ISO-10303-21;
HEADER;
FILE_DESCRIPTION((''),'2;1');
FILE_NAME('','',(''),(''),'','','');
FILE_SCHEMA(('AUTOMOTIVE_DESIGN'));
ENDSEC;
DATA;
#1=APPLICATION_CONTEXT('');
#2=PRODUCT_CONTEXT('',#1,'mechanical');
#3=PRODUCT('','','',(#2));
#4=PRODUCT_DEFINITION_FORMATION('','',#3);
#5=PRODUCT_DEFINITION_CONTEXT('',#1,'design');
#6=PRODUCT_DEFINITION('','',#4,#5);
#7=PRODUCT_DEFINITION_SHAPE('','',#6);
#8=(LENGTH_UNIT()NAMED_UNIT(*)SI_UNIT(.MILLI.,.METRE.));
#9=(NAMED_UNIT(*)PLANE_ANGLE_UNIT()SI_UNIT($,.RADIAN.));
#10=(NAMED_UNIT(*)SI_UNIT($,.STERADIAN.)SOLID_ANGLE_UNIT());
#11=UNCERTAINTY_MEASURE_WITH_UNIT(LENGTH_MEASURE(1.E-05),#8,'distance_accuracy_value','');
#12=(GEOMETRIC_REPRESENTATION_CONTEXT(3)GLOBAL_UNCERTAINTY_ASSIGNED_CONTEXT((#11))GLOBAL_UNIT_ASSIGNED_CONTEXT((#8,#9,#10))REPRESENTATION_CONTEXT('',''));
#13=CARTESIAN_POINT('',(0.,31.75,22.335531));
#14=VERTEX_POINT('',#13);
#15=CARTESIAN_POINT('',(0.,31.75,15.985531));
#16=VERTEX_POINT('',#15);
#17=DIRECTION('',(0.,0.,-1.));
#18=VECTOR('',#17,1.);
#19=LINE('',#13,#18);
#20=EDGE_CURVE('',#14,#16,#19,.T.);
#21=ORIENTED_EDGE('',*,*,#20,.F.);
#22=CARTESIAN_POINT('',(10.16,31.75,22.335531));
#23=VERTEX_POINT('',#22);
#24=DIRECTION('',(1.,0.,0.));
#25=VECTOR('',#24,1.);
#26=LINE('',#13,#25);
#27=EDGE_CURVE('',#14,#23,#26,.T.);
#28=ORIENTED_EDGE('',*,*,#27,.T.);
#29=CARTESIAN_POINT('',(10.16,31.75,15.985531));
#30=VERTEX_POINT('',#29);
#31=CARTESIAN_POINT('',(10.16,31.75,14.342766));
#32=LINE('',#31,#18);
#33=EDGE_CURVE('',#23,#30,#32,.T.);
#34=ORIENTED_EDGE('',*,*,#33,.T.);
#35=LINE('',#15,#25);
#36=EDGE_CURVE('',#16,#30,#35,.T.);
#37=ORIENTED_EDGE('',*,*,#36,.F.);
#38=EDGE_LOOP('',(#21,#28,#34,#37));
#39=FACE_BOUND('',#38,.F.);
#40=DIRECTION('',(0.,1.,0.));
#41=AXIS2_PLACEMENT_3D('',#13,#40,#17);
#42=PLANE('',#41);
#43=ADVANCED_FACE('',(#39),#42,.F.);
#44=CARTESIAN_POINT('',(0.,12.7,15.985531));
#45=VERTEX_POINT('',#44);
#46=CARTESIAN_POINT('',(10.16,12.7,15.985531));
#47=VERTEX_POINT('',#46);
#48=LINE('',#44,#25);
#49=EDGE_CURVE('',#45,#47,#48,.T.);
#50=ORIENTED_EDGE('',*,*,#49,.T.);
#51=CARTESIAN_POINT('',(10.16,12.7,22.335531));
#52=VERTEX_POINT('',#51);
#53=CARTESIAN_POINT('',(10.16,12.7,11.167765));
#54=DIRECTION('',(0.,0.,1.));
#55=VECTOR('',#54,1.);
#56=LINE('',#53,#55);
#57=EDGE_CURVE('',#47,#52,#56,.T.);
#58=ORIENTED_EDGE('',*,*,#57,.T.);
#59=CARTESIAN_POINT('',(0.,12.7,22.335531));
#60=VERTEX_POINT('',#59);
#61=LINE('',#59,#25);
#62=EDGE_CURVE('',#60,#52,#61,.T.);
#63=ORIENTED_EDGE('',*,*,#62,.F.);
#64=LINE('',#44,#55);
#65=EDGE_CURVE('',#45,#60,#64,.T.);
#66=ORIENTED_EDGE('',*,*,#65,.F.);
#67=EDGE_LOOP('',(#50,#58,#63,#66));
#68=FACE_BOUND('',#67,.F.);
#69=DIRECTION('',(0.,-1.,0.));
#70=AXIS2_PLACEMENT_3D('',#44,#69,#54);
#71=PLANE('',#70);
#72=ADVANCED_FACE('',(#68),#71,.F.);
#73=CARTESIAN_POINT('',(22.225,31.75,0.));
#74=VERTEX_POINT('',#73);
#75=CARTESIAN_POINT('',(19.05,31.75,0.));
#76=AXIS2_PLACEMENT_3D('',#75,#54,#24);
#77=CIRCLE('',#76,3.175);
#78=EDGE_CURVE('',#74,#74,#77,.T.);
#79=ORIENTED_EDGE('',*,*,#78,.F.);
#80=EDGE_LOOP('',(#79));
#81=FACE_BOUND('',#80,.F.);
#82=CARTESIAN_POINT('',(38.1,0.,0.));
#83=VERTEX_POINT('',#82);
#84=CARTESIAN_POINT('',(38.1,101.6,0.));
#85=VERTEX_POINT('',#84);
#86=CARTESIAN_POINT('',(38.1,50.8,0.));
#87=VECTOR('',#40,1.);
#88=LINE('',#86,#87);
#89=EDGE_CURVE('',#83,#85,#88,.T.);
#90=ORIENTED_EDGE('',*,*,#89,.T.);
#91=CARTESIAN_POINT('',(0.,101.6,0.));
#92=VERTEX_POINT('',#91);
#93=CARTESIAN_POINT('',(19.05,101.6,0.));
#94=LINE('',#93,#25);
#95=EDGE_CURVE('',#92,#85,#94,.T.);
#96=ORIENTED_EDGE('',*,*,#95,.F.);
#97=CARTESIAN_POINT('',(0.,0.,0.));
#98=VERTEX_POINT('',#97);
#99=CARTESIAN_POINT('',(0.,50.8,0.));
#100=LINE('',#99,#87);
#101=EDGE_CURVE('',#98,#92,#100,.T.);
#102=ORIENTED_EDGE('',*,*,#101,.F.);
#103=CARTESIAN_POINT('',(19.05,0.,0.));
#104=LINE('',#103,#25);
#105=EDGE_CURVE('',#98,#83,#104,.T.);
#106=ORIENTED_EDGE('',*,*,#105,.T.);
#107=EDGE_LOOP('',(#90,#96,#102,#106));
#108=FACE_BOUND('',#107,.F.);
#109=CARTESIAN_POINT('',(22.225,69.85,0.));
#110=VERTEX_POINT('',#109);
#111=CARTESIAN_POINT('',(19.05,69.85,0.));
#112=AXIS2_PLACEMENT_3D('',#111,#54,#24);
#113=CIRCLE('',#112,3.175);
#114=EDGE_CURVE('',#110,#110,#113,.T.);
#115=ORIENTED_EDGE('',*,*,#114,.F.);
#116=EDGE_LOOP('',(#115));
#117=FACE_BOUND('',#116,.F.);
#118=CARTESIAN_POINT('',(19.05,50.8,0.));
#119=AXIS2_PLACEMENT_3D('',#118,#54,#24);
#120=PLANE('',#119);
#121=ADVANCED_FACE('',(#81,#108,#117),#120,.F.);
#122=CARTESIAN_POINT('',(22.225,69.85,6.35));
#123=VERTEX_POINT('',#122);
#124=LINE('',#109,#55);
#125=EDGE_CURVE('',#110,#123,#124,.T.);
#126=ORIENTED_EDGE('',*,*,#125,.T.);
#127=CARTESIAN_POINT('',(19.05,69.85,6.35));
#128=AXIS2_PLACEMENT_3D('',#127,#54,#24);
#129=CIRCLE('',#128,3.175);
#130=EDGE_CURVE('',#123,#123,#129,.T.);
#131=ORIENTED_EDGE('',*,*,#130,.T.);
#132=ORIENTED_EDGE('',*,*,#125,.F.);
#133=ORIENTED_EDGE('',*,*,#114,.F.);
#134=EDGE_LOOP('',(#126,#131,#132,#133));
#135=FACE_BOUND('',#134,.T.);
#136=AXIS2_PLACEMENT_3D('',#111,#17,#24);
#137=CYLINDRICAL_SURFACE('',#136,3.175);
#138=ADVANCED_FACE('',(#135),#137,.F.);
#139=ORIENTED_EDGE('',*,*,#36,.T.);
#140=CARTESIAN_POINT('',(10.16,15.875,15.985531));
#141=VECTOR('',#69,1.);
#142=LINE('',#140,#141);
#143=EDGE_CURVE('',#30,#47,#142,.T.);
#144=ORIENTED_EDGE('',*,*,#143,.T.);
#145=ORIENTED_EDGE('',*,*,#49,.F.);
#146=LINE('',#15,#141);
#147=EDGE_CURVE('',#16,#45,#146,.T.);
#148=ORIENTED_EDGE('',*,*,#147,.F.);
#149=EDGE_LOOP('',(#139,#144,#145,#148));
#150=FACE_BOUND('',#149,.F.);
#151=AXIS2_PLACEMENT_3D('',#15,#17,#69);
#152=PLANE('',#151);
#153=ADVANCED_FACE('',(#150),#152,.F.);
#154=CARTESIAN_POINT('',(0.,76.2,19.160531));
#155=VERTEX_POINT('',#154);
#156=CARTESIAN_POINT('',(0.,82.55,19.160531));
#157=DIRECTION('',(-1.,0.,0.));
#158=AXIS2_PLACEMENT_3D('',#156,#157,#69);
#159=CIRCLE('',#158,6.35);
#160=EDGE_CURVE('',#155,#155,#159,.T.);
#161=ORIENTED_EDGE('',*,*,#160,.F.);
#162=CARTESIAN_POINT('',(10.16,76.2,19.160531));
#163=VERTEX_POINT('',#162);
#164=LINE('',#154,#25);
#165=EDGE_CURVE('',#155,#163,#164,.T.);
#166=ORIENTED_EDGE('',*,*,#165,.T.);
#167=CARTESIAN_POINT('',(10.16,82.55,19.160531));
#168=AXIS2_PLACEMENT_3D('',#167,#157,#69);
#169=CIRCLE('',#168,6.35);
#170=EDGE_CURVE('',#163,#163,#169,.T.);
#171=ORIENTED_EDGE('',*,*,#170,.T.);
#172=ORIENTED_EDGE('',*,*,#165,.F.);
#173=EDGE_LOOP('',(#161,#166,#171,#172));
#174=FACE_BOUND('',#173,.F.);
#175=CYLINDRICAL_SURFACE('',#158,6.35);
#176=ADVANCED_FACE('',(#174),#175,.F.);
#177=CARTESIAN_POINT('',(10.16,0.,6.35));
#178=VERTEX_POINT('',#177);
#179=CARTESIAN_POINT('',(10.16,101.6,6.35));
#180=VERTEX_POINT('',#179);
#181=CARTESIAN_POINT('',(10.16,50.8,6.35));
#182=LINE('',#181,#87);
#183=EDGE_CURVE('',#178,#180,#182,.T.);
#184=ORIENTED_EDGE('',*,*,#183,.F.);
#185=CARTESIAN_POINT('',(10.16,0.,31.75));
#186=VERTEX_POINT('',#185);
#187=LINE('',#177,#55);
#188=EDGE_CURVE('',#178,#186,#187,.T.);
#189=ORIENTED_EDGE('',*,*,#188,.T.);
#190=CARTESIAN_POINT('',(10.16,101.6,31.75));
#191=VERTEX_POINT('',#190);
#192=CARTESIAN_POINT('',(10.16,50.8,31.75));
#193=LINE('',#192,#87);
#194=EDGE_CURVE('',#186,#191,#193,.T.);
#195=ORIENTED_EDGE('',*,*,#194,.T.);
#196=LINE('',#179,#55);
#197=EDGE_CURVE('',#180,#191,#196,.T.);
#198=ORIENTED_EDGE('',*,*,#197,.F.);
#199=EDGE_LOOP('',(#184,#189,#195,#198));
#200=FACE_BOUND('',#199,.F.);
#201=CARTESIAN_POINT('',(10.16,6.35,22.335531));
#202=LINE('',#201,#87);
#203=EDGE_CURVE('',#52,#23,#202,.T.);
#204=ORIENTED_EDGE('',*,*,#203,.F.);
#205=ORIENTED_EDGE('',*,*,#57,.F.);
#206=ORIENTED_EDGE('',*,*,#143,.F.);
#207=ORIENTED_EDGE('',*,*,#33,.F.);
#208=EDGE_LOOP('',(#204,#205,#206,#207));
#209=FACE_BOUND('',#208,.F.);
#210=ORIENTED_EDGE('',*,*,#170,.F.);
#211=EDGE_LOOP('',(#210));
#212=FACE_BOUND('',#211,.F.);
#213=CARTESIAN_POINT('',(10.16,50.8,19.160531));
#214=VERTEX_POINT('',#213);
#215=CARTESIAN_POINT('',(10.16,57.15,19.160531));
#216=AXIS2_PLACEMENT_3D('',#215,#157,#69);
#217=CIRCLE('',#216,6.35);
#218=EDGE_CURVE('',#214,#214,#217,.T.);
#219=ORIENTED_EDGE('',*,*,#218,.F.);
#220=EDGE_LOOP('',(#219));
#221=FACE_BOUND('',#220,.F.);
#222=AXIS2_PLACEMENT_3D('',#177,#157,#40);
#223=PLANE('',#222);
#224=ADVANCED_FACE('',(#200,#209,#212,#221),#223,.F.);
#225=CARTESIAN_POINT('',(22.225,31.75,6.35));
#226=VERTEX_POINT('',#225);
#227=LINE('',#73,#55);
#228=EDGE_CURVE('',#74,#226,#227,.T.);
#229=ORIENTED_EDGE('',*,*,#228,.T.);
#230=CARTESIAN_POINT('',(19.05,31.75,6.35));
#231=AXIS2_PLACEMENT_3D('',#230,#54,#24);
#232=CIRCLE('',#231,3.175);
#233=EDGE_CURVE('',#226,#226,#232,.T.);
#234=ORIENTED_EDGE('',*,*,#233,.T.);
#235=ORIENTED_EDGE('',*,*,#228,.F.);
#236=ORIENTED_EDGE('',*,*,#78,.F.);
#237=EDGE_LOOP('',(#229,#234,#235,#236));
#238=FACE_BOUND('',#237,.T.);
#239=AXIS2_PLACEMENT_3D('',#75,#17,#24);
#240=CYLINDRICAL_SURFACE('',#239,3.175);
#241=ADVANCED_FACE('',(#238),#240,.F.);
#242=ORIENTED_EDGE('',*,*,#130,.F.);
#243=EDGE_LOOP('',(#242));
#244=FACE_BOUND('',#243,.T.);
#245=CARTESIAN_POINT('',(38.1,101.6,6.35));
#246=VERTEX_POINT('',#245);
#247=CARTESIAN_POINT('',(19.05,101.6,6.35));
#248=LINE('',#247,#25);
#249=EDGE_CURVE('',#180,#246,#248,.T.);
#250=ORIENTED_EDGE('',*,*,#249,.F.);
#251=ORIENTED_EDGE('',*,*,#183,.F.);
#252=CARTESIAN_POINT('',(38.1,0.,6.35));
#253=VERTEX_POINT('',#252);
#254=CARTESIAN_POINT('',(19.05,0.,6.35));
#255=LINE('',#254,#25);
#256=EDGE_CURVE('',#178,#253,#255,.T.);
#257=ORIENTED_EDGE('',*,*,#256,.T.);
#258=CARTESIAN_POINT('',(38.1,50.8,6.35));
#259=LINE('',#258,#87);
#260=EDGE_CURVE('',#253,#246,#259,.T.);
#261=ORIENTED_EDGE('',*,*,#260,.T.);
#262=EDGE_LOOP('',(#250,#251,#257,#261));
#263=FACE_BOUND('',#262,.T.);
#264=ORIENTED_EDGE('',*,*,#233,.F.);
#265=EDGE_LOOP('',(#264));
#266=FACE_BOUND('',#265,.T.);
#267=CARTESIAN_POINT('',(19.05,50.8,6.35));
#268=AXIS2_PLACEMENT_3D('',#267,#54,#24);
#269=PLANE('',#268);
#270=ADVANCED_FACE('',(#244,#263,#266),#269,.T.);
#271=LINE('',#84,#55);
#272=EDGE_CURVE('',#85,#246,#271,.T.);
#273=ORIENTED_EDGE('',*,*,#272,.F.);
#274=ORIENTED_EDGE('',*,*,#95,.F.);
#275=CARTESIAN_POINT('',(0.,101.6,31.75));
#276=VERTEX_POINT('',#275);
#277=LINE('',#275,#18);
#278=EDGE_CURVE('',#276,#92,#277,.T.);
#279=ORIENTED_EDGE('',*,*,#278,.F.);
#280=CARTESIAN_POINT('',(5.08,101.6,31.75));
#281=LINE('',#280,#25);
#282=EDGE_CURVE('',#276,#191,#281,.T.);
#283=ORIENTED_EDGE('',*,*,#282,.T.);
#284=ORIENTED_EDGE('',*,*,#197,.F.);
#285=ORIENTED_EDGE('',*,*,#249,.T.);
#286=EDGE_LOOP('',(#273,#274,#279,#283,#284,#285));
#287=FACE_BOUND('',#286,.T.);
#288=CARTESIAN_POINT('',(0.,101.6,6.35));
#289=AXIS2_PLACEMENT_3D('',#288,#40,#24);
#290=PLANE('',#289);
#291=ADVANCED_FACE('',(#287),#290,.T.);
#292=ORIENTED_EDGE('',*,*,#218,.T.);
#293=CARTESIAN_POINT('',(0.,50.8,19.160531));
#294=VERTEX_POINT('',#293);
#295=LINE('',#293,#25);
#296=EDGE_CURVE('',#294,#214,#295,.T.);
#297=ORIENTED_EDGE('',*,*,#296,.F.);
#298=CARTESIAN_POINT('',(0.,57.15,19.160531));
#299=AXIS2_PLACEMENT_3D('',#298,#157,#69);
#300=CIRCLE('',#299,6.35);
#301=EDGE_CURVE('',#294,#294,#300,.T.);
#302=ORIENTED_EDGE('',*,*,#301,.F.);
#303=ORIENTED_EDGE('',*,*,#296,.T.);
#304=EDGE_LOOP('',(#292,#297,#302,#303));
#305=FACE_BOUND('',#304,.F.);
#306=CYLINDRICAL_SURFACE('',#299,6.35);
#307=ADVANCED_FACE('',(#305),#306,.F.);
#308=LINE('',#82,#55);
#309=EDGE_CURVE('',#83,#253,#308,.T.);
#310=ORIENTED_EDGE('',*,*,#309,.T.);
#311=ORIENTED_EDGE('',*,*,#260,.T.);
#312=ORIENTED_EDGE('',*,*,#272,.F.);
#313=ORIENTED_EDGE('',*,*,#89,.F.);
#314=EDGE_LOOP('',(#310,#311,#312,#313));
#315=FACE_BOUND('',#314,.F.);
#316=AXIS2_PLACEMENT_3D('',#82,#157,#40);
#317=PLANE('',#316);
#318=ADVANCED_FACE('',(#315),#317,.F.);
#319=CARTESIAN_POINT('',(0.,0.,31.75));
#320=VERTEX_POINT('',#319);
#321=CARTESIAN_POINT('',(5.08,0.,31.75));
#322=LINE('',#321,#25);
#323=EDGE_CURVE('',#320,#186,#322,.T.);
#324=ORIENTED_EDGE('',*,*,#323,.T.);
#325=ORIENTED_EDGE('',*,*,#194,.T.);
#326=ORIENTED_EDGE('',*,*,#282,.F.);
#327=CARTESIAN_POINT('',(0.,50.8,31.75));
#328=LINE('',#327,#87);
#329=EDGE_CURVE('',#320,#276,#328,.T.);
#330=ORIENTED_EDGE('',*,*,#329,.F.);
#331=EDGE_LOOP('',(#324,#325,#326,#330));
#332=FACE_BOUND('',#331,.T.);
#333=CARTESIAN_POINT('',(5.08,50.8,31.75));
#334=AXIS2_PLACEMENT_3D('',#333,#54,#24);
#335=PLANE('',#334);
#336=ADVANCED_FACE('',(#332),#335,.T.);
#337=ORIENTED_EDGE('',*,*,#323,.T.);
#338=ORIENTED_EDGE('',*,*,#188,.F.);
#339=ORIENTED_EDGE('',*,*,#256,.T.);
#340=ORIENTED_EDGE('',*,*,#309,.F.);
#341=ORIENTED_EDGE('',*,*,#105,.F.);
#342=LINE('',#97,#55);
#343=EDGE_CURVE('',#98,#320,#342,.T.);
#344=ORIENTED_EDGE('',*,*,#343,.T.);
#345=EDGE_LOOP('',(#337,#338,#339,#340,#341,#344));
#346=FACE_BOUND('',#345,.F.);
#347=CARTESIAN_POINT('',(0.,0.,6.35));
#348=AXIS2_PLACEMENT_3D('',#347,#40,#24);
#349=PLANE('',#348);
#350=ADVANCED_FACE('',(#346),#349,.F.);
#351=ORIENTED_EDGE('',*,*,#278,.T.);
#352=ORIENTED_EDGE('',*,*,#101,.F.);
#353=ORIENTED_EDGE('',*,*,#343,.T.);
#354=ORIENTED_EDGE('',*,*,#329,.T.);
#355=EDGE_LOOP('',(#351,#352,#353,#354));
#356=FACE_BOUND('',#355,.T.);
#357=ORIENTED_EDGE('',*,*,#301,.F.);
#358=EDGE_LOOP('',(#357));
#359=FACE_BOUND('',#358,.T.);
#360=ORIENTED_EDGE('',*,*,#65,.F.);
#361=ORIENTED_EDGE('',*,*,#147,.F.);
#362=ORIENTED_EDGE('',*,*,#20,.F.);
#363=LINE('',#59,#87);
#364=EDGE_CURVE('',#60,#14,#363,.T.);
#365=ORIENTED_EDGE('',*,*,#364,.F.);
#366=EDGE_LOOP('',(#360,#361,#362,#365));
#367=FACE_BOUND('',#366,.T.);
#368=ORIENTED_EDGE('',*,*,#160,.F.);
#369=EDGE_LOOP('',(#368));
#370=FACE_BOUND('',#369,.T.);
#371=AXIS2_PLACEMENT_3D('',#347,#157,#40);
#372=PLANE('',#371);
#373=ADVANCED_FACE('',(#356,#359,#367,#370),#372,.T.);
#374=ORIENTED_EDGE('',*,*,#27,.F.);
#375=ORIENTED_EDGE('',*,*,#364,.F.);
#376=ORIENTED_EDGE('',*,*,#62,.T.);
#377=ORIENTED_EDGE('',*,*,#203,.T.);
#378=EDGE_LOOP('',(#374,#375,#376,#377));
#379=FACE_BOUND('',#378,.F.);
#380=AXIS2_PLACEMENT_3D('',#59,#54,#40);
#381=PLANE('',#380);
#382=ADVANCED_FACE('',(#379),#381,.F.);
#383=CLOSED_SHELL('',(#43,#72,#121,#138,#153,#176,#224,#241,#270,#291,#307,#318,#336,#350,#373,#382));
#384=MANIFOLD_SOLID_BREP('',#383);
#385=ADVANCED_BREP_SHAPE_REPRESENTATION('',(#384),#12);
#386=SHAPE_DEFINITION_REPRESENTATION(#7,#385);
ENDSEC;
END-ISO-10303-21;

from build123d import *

# Parameters (mm, degrees)
F0_W     = 38.1
F0_H     = 101.6
F0_R     = 3.175
F1_DEPTH = 6.35
F2_W     = 10.16
F2_H     = 101.6
F3_DEPTH = 25.4
F4_R     = 6.35
F5_DEPTH = 25.4


with BuildPart() as f1:
    # F0 (on Top) → F1 (new body)
    with BuildSketch(Plane.XY):
        with Locations((19.05, 50.8)):
            Rectangle(F0_W, F0_H)
        with Locations((19.05, 31.75)):
            Circle(F0_R, mode=Mode.SUBTRACT)
        with Locations((19.05, 69.85)):
            Circle(F0_R, mode=Mode.SUBTRACT)
    extrude(amount=F1_DEPTH)

    # F2 (on face) → F3 (join)
    with BuildSketch(Plane.XY.offset(6.35)):
        with Locations((5.08, 50.8)):
            Rectangle(F2_W, F2_H)
    extrude(amount=F3_DEPTH)

    # F4 (on face) → F5 (cut)
    with BuildSketch(Plane(origin=(0, 0, 0), x_dir=(0, -1, 0), z_dir=(-1, 0, 0))):
        with Locations((-82.55, 19.160531)):
            Circle(F4_R)
        with Locations((-57.15, 19.160531)):
            Circle(F4_R)
        Polygon((-31.75, 19.160531), (-31.75, 15.985531), (-12.7, 15.985531), (-12.7, 19.160531), (-12.7, 22.335531), (-31.75, 22.335531), align=None)
    extrude(amount=-F5_DEPTH, mode=Mode.SUBTRACT)


solid = f1.part
